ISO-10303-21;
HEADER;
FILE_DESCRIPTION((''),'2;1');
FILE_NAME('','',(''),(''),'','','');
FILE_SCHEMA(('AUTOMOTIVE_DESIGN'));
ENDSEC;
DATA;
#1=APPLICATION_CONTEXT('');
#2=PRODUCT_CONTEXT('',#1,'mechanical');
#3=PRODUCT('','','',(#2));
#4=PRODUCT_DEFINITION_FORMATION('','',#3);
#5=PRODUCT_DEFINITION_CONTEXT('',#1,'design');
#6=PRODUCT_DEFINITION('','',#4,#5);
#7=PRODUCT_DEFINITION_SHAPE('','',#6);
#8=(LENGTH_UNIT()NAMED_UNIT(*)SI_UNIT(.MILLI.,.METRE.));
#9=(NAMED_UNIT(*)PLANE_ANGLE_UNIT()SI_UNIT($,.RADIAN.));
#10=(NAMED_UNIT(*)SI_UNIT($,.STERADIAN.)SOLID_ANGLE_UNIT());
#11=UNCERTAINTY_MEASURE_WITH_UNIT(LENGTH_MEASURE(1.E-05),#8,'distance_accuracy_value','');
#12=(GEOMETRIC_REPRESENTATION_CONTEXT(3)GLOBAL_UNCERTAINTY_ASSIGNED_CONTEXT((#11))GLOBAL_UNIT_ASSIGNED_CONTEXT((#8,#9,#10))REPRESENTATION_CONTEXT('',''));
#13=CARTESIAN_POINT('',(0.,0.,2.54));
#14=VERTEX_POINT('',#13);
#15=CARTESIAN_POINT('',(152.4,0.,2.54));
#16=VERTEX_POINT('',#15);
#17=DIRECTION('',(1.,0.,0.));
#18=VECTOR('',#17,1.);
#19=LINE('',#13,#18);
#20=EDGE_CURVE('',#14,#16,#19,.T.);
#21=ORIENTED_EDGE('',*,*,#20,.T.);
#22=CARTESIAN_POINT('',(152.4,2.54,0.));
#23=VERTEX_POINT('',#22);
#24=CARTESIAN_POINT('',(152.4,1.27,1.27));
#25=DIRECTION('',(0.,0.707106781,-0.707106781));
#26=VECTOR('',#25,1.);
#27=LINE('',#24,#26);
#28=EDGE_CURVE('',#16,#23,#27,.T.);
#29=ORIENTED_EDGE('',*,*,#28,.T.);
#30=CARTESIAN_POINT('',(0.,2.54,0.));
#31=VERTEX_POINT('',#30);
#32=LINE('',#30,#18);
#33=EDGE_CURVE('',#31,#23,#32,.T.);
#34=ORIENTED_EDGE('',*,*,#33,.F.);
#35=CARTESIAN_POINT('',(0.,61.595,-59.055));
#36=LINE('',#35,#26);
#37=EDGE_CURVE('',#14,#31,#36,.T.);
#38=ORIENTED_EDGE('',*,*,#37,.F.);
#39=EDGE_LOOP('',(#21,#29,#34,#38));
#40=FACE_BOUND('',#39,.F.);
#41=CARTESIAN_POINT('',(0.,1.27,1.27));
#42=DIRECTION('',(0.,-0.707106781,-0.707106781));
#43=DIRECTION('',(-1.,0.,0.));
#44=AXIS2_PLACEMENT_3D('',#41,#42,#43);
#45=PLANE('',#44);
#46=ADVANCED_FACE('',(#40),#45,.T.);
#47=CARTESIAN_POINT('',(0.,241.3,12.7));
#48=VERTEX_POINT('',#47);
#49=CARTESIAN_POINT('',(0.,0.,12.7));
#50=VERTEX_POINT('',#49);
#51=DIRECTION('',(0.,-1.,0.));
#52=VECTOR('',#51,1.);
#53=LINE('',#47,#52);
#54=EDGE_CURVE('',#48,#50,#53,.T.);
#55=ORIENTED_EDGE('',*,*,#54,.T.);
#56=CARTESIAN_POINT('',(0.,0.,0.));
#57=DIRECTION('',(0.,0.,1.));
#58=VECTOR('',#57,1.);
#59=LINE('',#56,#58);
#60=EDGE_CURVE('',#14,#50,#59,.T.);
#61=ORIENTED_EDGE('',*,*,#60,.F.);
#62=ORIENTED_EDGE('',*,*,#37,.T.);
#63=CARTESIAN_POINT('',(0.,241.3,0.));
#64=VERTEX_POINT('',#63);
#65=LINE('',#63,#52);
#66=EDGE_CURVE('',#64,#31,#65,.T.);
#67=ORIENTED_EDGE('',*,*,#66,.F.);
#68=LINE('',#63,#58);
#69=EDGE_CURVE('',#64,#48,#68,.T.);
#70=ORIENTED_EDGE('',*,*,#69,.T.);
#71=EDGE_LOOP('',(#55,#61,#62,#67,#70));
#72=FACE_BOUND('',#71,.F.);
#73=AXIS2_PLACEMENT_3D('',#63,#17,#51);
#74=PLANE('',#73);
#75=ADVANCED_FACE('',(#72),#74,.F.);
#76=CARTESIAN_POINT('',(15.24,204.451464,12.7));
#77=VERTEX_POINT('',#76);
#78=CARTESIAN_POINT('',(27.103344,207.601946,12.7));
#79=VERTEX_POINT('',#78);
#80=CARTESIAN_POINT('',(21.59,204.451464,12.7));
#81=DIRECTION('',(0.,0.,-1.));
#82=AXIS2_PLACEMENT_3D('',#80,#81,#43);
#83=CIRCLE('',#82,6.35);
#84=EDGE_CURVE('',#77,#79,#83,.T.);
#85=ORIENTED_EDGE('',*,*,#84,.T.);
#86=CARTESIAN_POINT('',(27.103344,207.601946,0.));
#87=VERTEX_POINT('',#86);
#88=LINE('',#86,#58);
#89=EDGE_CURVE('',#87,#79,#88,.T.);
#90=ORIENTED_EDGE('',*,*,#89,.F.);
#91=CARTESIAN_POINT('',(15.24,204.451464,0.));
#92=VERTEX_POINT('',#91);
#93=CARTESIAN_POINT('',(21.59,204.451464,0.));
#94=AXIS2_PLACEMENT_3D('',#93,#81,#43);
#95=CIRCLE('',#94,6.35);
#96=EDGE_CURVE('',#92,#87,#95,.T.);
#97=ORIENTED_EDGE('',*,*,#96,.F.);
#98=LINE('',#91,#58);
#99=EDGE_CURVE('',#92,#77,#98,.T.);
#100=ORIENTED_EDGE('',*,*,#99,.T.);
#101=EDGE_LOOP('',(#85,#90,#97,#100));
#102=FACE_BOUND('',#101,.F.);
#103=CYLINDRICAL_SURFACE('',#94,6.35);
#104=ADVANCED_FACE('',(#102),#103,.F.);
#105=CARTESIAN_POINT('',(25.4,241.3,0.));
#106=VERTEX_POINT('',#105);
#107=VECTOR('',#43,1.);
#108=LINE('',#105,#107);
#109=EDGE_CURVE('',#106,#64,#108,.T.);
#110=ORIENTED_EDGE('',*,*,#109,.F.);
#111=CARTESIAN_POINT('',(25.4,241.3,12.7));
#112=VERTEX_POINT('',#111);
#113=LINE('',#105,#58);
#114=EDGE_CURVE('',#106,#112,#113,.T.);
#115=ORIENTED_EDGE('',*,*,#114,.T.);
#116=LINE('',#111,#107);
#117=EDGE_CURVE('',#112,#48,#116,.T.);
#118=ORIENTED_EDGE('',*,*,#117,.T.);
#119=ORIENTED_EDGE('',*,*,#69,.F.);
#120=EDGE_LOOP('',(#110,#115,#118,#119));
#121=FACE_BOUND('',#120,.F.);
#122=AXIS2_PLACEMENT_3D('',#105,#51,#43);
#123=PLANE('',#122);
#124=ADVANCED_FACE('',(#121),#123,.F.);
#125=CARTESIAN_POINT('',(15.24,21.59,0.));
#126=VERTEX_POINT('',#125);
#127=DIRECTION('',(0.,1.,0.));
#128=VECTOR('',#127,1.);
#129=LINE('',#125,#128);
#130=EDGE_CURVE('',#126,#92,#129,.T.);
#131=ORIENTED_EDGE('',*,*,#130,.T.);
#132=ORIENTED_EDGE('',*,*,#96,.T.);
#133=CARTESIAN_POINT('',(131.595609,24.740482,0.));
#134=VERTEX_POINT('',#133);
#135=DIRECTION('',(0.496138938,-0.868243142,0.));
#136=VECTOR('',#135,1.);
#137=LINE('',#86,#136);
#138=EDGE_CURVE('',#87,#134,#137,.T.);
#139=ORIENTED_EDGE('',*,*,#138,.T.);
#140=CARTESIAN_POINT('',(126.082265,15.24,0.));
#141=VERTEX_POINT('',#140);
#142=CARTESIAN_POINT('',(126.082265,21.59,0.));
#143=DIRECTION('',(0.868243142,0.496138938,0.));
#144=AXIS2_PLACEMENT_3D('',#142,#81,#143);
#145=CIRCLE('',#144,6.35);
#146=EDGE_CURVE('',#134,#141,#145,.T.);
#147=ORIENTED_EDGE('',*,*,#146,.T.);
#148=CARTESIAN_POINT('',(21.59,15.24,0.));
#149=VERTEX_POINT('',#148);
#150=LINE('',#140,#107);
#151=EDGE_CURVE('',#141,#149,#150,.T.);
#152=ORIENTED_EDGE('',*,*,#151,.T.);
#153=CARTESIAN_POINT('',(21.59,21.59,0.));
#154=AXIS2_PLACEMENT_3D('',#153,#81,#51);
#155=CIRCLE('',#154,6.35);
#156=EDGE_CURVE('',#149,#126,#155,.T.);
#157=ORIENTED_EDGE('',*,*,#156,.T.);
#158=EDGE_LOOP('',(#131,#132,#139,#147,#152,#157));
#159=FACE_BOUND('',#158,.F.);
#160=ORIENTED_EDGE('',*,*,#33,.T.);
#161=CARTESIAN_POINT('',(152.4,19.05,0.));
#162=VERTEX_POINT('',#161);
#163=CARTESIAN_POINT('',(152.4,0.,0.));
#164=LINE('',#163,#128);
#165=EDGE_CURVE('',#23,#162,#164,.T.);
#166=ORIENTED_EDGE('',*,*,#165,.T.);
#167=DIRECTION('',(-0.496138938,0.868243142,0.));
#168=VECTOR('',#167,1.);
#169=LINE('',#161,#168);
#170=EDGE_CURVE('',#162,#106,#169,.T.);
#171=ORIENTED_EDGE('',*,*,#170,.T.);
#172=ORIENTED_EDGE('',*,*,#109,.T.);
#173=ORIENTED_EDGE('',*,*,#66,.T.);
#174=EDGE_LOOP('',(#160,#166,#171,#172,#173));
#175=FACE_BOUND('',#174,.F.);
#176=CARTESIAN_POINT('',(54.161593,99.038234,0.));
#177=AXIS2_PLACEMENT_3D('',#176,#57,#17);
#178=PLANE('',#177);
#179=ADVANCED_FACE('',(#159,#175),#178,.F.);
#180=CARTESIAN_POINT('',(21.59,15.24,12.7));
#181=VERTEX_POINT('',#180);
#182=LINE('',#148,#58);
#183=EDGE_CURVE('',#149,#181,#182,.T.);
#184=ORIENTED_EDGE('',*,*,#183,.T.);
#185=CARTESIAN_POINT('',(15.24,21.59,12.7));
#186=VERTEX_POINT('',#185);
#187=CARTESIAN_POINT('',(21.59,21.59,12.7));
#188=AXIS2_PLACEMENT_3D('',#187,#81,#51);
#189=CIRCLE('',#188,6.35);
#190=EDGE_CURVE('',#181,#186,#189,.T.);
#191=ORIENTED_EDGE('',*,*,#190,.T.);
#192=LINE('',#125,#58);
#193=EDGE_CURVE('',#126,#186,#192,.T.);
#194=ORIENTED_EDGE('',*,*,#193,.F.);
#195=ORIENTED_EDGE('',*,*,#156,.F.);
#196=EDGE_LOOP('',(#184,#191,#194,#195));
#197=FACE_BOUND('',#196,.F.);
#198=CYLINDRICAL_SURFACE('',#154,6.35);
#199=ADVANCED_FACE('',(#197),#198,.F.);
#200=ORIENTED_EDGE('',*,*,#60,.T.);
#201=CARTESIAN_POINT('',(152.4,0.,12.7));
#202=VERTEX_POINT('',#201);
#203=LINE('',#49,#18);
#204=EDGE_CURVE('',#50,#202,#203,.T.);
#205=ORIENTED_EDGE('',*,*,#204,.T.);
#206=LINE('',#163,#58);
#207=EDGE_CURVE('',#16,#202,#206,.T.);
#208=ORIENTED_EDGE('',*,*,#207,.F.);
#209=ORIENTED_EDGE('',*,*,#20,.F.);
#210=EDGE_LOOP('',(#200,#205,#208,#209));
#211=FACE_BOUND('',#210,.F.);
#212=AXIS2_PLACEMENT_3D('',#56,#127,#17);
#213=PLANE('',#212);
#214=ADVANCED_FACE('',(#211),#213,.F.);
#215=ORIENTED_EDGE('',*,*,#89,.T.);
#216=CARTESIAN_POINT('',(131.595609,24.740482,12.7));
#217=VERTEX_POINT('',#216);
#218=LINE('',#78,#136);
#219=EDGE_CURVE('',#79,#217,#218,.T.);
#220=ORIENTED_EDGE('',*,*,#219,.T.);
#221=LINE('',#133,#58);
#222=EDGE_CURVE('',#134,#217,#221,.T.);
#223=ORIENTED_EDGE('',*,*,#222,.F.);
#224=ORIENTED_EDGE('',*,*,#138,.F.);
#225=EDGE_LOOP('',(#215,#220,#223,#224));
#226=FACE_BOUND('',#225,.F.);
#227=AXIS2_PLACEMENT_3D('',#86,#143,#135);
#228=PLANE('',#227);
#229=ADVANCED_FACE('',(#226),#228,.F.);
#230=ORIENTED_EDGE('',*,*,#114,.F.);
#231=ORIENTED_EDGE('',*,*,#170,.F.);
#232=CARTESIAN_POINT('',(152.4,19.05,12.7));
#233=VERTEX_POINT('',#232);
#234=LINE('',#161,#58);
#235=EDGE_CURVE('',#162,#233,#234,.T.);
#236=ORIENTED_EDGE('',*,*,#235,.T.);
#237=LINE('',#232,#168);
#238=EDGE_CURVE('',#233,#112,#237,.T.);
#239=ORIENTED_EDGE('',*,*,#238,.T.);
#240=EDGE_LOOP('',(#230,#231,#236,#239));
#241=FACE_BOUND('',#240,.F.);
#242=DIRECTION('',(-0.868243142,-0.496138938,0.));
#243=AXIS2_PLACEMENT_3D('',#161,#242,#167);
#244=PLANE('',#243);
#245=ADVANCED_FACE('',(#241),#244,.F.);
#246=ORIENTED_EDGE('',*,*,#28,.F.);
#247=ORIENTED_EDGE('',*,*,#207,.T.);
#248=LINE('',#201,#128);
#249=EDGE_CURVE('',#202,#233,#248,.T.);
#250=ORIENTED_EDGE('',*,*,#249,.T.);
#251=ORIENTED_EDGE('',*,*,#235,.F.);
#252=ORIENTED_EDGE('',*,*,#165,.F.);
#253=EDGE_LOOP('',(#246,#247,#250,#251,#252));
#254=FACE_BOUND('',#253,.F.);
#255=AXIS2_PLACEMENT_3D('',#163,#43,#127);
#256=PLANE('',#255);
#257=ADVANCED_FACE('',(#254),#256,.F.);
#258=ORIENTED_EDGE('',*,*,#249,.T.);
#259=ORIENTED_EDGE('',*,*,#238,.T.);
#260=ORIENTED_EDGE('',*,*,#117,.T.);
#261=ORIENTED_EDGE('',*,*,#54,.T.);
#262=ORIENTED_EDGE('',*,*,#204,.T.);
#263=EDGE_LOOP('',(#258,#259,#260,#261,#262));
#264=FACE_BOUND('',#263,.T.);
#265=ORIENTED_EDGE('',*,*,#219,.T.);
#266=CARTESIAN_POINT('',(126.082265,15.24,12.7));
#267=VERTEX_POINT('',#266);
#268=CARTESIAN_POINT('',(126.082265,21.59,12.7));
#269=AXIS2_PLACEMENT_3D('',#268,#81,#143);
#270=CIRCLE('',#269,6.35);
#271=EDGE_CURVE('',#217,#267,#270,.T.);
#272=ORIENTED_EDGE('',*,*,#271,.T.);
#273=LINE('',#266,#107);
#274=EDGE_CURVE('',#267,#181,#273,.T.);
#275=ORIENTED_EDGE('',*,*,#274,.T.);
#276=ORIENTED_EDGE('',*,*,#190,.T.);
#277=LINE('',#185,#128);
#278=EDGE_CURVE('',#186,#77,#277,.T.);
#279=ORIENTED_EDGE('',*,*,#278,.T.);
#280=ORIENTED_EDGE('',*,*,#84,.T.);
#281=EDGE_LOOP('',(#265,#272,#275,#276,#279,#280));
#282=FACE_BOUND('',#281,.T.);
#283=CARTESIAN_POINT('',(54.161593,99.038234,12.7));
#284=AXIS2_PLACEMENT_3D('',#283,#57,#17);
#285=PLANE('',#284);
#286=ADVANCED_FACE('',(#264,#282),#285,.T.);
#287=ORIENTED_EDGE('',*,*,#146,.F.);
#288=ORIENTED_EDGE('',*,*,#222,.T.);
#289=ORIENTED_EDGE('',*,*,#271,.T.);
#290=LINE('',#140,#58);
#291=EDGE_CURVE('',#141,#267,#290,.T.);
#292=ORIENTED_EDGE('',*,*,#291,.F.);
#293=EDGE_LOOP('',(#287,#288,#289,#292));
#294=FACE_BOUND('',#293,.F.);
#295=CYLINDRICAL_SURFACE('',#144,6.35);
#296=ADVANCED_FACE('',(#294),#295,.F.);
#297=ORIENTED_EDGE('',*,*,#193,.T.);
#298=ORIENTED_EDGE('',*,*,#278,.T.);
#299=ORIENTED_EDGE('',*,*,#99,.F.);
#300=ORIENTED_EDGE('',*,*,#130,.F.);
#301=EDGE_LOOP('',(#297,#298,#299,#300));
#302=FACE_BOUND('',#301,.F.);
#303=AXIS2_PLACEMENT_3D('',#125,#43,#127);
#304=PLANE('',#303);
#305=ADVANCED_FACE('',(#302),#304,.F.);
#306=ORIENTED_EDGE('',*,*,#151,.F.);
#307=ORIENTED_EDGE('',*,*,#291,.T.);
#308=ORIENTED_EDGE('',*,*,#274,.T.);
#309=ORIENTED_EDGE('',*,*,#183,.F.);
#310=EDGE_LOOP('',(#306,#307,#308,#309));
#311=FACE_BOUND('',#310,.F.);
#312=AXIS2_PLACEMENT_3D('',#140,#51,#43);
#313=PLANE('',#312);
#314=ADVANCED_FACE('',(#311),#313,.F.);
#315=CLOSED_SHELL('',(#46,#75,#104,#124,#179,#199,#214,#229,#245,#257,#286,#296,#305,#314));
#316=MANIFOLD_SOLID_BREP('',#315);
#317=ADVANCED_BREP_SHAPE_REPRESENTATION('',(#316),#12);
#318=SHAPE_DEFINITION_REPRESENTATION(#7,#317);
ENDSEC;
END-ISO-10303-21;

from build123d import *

# Parameters (mm, degrees)
BASE_EXTRUDE_DEPTH = 12.7
CHAMFER3_SIZE      = 2.54


with BuildPart() as part:
    # Sketch1 → Base-Extrude (new body)
    with BuildSketch(Plane.XY):
        Polygon((0, 0), (152.4, 0), (152.4, 19.05), (25.4, 241.3), (0, 241.3), align=None)
        with BuildLine():
            Line((15.24, 21.59), (15.24, 204.451463804))
            ThreePointArc((15.24, 204.451463804), (19.960158612, 210.588736573), (27.103343952, 207.601946062))
            Line((27.103343952, 207.601946062), (131.595608983, 24.740482259))
            ThreePointArc((131.595608983, 24.740482259), (131.574444122, 18.402764704), (126.082265031, 15.24))
            Line((126.082265031, 15.24), (21.59, 15.24))
            ThreePointArc((21.59, 15.24), (17.099871939, 17.099871939), (15.24, 21.59))
        make_face(mode=Mode.SUBTRACT)
    extrude(amount=BASE_EXTRUDE_DEPTH)

    # Chamfer3
    chamfer3_edges = [part.edges().sort_by_distance(p)[0] for p in [
        (76.2, 0, 0),
    ]]
    chamfer(chamfer3_edges, length=CHAMFER3_SIZE)


solid = part.part
